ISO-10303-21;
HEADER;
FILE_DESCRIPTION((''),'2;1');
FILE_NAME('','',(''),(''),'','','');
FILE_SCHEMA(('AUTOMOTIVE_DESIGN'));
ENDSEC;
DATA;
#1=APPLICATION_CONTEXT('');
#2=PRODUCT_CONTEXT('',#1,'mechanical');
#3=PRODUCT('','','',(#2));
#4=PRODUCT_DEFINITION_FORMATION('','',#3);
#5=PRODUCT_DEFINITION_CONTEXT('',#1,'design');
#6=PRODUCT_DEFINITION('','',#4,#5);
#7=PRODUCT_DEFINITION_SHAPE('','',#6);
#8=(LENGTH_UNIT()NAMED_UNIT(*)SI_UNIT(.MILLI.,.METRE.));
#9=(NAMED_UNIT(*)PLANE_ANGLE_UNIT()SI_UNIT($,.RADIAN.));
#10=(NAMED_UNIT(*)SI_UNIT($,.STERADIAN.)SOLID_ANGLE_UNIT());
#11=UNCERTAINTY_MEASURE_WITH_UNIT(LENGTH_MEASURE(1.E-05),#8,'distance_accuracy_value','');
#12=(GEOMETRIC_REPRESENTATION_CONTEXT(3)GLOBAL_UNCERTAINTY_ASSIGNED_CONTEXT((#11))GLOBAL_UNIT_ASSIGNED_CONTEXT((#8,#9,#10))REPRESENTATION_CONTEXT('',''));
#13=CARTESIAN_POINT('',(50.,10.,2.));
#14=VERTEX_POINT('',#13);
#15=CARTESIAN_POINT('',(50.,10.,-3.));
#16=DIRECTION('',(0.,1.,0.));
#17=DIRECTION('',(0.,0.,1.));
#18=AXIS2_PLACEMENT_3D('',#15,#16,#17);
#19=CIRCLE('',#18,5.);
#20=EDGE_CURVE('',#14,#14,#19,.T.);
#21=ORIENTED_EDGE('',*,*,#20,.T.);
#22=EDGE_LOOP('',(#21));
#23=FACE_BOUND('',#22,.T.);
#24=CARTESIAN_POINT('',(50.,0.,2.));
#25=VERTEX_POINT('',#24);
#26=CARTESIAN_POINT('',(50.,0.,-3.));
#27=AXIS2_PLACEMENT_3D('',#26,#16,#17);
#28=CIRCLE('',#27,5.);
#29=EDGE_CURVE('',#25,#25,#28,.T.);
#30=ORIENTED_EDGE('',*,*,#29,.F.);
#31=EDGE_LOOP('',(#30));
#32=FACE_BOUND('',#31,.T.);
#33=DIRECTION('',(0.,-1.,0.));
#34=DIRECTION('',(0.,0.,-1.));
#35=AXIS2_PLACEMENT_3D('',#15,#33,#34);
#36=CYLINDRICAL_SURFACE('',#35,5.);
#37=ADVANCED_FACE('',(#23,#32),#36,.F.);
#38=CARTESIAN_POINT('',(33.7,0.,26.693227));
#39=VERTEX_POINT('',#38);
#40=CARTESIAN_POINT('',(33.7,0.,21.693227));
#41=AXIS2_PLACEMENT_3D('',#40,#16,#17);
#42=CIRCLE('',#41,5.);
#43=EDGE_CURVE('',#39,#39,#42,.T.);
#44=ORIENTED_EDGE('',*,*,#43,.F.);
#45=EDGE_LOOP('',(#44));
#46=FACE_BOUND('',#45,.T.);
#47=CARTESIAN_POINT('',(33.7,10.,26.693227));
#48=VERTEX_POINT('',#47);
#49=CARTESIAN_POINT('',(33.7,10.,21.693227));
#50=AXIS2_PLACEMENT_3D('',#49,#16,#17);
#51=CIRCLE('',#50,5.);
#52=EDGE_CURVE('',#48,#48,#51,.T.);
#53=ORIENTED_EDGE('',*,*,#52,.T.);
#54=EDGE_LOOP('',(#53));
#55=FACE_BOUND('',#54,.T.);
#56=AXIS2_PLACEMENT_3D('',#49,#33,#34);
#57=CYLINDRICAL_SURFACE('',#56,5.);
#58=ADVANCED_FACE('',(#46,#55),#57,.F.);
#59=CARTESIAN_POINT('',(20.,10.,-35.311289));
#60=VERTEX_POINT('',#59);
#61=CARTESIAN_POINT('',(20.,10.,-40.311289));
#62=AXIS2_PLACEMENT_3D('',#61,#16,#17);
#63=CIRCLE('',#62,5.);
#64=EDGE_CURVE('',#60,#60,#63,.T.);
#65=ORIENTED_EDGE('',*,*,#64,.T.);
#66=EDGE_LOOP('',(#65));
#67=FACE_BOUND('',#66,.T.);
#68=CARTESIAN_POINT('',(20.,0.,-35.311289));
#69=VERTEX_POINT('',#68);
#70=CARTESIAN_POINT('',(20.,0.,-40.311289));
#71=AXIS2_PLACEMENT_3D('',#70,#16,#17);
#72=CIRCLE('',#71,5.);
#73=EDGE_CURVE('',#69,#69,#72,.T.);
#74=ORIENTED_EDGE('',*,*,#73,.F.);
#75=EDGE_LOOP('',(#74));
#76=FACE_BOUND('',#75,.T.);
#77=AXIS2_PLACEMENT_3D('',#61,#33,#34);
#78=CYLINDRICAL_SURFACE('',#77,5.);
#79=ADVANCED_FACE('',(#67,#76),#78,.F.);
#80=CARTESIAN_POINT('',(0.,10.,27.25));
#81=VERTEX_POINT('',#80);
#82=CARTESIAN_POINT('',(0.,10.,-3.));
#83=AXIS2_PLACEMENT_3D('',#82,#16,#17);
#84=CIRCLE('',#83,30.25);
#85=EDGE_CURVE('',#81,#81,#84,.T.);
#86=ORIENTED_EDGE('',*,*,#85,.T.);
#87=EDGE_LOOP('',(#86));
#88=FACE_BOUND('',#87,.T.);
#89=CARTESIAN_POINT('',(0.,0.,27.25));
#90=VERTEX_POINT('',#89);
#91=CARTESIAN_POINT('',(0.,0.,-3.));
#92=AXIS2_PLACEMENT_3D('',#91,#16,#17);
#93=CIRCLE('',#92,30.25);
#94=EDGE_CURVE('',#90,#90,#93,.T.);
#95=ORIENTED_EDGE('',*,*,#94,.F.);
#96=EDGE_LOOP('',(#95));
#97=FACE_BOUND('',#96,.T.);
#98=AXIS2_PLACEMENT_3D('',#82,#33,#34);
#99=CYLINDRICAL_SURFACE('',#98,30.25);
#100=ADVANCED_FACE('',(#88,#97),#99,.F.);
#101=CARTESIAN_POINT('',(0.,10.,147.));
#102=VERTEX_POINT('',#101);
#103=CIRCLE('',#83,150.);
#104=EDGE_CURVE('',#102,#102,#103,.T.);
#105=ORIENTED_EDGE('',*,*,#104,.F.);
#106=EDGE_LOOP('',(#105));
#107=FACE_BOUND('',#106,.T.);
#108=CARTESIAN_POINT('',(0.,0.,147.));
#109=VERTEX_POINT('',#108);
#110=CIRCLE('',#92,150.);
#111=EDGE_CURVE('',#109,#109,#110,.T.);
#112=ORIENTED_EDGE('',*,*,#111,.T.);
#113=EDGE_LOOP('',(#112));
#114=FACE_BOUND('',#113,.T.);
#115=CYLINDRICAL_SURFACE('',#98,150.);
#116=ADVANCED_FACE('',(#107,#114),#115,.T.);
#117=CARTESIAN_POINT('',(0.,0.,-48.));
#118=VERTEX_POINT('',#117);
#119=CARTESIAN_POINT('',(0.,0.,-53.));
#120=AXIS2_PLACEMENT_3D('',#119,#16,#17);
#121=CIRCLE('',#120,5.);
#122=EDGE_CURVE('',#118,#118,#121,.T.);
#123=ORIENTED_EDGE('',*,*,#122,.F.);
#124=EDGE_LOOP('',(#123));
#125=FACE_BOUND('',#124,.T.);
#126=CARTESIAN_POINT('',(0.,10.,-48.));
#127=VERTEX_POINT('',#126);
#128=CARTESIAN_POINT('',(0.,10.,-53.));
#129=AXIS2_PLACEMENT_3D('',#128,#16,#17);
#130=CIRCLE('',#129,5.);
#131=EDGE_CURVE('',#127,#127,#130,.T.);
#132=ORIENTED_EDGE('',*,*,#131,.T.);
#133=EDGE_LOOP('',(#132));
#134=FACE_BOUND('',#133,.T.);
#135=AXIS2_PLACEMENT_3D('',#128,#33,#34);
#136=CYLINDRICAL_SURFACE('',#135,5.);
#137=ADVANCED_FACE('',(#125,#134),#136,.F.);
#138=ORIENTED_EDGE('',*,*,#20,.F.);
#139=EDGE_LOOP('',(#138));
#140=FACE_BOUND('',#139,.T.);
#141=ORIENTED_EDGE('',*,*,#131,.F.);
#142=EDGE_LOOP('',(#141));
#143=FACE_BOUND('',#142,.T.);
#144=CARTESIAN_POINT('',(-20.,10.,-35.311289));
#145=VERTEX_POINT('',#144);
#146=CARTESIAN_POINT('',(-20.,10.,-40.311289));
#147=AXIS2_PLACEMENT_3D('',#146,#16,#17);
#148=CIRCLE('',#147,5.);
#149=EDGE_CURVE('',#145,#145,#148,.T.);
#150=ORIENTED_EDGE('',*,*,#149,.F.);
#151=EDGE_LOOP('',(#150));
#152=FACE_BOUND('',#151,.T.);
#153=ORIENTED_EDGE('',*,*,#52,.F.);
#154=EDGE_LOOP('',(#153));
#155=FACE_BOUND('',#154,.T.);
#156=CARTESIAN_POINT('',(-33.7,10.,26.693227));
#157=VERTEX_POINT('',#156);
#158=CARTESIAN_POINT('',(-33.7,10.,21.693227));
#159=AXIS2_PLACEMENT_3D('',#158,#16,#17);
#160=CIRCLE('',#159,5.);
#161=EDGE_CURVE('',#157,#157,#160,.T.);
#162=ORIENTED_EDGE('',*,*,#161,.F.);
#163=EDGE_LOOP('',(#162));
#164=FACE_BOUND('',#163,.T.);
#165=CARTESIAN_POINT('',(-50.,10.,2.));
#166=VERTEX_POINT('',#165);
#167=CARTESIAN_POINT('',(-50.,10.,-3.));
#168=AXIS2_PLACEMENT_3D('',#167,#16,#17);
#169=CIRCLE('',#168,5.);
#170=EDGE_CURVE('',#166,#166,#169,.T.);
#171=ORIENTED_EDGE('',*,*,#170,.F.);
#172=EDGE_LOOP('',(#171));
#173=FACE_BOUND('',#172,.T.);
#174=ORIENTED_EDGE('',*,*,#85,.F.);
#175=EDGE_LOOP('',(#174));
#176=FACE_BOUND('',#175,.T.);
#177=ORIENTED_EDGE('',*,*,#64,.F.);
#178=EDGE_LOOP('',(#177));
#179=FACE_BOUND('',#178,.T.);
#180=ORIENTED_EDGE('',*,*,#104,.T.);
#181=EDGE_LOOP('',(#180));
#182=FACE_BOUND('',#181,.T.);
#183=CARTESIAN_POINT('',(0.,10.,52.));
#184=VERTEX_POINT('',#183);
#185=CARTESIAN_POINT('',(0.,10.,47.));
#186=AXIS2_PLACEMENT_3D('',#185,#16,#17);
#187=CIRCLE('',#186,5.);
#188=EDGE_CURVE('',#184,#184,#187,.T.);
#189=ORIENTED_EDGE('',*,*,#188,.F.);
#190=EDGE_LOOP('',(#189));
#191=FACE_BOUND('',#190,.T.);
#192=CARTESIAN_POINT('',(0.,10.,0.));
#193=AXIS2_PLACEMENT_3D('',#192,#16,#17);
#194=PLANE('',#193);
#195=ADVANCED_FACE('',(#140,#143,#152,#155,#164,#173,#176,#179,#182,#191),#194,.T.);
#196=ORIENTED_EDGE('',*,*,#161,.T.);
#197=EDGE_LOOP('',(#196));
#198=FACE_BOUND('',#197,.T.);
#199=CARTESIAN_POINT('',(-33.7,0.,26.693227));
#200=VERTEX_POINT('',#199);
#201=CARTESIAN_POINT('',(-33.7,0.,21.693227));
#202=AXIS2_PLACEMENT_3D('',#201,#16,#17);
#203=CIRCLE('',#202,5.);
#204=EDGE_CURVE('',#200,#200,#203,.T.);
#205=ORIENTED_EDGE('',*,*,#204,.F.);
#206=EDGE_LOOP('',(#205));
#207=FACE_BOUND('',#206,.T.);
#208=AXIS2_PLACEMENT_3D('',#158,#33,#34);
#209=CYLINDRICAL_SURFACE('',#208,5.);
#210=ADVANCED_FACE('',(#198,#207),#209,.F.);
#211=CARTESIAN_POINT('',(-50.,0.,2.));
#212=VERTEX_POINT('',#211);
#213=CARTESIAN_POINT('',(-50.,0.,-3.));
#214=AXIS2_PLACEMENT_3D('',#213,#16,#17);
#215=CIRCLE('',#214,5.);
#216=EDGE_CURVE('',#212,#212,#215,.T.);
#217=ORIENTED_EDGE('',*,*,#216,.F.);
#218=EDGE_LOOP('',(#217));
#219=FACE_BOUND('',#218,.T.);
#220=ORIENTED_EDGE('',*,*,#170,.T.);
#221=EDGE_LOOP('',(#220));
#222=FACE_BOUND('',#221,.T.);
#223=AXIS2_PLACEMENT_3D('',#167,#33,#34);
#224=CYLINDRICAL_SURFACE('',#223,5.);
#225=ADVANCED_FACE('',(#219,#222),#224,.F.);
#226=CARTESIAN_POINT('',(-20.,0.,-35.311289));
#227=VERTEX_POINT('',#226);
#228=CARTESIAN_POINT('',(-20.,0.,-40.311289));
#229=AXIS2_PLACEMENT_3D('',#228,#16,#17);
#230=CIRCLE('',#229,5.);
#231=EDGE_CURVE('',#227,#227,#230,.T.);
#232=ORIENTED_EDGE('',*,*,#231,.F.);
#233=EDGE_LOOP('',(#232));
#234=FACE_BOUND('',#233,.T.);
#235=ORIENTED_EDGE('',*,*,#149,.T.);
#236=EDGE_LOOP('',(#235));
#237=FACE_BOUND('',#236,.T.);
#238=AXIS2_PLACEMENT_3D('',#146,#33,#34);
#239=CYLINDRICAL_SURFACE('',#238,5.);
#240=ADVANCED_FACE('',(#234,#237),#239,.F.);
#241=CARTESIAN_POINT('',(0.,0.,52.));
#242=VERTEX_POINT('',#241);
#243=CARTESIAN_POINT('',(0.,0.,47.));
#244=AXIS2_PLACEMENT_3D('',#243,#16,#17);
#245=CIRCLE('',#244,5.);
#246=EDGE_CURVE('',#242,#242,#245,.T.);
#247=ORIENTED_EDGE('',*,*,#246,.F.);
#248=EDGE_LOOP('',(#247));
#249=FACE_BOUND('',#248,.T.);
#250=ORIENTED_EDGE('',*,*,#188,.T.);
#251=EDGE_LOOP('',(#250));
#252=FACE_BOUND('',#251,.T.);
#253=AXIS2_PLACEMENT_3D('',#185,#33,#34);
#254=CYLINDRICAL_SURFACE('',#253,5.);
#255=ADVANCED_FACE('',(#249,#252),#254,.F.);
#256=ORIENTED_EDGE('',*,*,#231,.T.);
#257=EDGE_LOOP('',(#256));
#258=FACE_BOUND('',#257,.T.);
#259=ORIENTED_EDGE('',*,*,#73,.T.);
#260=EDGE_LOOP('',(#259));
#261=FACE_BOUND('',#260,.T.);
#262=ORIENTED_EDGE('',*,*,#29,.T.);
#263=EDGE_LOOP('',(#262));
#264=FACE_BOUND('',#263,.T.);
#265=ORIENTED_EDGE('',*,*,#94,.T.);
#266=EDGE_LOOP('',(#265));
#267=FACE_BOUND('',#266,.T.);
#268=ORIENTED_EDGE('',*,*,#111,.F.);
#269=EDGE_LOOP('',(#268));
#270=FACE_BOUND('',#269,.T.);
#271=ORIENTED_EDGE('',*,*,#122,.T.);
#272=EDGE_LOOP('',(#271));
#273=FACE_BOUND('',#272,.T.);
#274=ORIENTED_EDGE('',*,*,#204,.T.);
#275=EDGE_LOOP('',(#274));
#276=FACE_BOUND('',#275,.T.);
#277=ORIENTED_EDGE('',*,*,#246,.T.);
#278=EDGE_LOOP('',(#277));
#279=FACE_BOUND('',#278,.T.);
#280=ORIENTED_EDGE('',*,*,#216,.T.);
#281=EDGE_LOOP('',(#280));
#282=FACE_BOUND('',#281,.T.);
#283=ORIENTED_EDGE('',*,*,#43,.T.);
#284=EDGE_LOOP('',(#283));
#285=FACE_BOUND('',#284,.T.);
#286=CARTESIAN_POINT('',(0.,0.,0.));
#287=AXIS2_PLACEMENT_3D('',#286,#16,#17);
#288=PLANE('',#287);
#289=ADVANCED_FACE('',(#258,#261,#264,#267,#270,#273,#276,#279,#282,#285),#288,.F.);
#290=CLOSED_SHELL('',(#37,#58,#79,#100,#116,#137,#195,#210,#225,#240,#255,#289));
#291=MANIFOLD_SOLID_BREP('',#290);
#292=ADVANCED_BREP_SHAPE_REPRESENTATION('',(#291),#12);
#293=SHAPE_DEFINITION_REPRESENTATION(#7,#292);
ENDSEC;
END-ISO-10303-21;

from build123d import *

# Parameters (mm, degrees)
SKETCH1_R           = 150
SKETCH1_R_2         = 5
SKETCH1_R_3         = 30.25
BOSS_EXTRUDE1_DEPTH = 10


with BuildPart() as part:
    # Sketch1 → Boss-Extrude1 (new body)
    with BuildSketch(Plane(origin=(0, 0, 0), x_dir=(1, 0, 0), z_dir=(0, 1, 0))):
        with Locations(Location((0, 3, 0), (0, 0, 270))):
            Circle(SKETCH1_R)
        with Locations(Location((-20, 40.311288741, 0), (0, 0, 270))):
            Circle(SKETCH1_R_2, mode=Mode.SUBTRACT)
        with Locations(Location((20, 40.311288741, 0), (0, 0, 270))):
            Circle(SKETCH1_R_2, mode=Mode.SUBTRACT)
        with Locations(Location((33.7, -21.693227223, 0), (0, 0, 270))):
            Circle(SKETCH1_R_2, mode=Mode.SUBTRACT)
        with Locations(Location((-33.7, -21.693227223, 0), (0, 0, 270))):
            Circle(SKETCH1_R_2, mode=Mode.SUBTRACT)
        with Locations(Location((0, 3, 0), (0, 0, 270))):
            Circle(SKETCH1_R_3, mode=Mode.SUBTRACT)
        with Locations(Location((0, 53, 0), (0, 0, 270))):
            Circle(SKETCH1_R_2, mode=Mode.SUBTRACT)
        with Locations(Location((50, 3, 0), (0, 0, 270))):
            Circle(SKETCH1_R_2, mode=Mode.SUBTRACT)
        with Locations(Location((0, -47, 0), (0, 0, 270))):
            Circle(SKETCH1_R_2, mode=Mode.SUBTRACT)
        with Locations(Location((-50, 3, 0), (0, 0, 270))):
            Circle(SKETCH1_R_2, mode=Mode.SUBTRACT)
    extrude(amount=BOSS_EXTRUDE1_DEPTH)


solid = part.part
